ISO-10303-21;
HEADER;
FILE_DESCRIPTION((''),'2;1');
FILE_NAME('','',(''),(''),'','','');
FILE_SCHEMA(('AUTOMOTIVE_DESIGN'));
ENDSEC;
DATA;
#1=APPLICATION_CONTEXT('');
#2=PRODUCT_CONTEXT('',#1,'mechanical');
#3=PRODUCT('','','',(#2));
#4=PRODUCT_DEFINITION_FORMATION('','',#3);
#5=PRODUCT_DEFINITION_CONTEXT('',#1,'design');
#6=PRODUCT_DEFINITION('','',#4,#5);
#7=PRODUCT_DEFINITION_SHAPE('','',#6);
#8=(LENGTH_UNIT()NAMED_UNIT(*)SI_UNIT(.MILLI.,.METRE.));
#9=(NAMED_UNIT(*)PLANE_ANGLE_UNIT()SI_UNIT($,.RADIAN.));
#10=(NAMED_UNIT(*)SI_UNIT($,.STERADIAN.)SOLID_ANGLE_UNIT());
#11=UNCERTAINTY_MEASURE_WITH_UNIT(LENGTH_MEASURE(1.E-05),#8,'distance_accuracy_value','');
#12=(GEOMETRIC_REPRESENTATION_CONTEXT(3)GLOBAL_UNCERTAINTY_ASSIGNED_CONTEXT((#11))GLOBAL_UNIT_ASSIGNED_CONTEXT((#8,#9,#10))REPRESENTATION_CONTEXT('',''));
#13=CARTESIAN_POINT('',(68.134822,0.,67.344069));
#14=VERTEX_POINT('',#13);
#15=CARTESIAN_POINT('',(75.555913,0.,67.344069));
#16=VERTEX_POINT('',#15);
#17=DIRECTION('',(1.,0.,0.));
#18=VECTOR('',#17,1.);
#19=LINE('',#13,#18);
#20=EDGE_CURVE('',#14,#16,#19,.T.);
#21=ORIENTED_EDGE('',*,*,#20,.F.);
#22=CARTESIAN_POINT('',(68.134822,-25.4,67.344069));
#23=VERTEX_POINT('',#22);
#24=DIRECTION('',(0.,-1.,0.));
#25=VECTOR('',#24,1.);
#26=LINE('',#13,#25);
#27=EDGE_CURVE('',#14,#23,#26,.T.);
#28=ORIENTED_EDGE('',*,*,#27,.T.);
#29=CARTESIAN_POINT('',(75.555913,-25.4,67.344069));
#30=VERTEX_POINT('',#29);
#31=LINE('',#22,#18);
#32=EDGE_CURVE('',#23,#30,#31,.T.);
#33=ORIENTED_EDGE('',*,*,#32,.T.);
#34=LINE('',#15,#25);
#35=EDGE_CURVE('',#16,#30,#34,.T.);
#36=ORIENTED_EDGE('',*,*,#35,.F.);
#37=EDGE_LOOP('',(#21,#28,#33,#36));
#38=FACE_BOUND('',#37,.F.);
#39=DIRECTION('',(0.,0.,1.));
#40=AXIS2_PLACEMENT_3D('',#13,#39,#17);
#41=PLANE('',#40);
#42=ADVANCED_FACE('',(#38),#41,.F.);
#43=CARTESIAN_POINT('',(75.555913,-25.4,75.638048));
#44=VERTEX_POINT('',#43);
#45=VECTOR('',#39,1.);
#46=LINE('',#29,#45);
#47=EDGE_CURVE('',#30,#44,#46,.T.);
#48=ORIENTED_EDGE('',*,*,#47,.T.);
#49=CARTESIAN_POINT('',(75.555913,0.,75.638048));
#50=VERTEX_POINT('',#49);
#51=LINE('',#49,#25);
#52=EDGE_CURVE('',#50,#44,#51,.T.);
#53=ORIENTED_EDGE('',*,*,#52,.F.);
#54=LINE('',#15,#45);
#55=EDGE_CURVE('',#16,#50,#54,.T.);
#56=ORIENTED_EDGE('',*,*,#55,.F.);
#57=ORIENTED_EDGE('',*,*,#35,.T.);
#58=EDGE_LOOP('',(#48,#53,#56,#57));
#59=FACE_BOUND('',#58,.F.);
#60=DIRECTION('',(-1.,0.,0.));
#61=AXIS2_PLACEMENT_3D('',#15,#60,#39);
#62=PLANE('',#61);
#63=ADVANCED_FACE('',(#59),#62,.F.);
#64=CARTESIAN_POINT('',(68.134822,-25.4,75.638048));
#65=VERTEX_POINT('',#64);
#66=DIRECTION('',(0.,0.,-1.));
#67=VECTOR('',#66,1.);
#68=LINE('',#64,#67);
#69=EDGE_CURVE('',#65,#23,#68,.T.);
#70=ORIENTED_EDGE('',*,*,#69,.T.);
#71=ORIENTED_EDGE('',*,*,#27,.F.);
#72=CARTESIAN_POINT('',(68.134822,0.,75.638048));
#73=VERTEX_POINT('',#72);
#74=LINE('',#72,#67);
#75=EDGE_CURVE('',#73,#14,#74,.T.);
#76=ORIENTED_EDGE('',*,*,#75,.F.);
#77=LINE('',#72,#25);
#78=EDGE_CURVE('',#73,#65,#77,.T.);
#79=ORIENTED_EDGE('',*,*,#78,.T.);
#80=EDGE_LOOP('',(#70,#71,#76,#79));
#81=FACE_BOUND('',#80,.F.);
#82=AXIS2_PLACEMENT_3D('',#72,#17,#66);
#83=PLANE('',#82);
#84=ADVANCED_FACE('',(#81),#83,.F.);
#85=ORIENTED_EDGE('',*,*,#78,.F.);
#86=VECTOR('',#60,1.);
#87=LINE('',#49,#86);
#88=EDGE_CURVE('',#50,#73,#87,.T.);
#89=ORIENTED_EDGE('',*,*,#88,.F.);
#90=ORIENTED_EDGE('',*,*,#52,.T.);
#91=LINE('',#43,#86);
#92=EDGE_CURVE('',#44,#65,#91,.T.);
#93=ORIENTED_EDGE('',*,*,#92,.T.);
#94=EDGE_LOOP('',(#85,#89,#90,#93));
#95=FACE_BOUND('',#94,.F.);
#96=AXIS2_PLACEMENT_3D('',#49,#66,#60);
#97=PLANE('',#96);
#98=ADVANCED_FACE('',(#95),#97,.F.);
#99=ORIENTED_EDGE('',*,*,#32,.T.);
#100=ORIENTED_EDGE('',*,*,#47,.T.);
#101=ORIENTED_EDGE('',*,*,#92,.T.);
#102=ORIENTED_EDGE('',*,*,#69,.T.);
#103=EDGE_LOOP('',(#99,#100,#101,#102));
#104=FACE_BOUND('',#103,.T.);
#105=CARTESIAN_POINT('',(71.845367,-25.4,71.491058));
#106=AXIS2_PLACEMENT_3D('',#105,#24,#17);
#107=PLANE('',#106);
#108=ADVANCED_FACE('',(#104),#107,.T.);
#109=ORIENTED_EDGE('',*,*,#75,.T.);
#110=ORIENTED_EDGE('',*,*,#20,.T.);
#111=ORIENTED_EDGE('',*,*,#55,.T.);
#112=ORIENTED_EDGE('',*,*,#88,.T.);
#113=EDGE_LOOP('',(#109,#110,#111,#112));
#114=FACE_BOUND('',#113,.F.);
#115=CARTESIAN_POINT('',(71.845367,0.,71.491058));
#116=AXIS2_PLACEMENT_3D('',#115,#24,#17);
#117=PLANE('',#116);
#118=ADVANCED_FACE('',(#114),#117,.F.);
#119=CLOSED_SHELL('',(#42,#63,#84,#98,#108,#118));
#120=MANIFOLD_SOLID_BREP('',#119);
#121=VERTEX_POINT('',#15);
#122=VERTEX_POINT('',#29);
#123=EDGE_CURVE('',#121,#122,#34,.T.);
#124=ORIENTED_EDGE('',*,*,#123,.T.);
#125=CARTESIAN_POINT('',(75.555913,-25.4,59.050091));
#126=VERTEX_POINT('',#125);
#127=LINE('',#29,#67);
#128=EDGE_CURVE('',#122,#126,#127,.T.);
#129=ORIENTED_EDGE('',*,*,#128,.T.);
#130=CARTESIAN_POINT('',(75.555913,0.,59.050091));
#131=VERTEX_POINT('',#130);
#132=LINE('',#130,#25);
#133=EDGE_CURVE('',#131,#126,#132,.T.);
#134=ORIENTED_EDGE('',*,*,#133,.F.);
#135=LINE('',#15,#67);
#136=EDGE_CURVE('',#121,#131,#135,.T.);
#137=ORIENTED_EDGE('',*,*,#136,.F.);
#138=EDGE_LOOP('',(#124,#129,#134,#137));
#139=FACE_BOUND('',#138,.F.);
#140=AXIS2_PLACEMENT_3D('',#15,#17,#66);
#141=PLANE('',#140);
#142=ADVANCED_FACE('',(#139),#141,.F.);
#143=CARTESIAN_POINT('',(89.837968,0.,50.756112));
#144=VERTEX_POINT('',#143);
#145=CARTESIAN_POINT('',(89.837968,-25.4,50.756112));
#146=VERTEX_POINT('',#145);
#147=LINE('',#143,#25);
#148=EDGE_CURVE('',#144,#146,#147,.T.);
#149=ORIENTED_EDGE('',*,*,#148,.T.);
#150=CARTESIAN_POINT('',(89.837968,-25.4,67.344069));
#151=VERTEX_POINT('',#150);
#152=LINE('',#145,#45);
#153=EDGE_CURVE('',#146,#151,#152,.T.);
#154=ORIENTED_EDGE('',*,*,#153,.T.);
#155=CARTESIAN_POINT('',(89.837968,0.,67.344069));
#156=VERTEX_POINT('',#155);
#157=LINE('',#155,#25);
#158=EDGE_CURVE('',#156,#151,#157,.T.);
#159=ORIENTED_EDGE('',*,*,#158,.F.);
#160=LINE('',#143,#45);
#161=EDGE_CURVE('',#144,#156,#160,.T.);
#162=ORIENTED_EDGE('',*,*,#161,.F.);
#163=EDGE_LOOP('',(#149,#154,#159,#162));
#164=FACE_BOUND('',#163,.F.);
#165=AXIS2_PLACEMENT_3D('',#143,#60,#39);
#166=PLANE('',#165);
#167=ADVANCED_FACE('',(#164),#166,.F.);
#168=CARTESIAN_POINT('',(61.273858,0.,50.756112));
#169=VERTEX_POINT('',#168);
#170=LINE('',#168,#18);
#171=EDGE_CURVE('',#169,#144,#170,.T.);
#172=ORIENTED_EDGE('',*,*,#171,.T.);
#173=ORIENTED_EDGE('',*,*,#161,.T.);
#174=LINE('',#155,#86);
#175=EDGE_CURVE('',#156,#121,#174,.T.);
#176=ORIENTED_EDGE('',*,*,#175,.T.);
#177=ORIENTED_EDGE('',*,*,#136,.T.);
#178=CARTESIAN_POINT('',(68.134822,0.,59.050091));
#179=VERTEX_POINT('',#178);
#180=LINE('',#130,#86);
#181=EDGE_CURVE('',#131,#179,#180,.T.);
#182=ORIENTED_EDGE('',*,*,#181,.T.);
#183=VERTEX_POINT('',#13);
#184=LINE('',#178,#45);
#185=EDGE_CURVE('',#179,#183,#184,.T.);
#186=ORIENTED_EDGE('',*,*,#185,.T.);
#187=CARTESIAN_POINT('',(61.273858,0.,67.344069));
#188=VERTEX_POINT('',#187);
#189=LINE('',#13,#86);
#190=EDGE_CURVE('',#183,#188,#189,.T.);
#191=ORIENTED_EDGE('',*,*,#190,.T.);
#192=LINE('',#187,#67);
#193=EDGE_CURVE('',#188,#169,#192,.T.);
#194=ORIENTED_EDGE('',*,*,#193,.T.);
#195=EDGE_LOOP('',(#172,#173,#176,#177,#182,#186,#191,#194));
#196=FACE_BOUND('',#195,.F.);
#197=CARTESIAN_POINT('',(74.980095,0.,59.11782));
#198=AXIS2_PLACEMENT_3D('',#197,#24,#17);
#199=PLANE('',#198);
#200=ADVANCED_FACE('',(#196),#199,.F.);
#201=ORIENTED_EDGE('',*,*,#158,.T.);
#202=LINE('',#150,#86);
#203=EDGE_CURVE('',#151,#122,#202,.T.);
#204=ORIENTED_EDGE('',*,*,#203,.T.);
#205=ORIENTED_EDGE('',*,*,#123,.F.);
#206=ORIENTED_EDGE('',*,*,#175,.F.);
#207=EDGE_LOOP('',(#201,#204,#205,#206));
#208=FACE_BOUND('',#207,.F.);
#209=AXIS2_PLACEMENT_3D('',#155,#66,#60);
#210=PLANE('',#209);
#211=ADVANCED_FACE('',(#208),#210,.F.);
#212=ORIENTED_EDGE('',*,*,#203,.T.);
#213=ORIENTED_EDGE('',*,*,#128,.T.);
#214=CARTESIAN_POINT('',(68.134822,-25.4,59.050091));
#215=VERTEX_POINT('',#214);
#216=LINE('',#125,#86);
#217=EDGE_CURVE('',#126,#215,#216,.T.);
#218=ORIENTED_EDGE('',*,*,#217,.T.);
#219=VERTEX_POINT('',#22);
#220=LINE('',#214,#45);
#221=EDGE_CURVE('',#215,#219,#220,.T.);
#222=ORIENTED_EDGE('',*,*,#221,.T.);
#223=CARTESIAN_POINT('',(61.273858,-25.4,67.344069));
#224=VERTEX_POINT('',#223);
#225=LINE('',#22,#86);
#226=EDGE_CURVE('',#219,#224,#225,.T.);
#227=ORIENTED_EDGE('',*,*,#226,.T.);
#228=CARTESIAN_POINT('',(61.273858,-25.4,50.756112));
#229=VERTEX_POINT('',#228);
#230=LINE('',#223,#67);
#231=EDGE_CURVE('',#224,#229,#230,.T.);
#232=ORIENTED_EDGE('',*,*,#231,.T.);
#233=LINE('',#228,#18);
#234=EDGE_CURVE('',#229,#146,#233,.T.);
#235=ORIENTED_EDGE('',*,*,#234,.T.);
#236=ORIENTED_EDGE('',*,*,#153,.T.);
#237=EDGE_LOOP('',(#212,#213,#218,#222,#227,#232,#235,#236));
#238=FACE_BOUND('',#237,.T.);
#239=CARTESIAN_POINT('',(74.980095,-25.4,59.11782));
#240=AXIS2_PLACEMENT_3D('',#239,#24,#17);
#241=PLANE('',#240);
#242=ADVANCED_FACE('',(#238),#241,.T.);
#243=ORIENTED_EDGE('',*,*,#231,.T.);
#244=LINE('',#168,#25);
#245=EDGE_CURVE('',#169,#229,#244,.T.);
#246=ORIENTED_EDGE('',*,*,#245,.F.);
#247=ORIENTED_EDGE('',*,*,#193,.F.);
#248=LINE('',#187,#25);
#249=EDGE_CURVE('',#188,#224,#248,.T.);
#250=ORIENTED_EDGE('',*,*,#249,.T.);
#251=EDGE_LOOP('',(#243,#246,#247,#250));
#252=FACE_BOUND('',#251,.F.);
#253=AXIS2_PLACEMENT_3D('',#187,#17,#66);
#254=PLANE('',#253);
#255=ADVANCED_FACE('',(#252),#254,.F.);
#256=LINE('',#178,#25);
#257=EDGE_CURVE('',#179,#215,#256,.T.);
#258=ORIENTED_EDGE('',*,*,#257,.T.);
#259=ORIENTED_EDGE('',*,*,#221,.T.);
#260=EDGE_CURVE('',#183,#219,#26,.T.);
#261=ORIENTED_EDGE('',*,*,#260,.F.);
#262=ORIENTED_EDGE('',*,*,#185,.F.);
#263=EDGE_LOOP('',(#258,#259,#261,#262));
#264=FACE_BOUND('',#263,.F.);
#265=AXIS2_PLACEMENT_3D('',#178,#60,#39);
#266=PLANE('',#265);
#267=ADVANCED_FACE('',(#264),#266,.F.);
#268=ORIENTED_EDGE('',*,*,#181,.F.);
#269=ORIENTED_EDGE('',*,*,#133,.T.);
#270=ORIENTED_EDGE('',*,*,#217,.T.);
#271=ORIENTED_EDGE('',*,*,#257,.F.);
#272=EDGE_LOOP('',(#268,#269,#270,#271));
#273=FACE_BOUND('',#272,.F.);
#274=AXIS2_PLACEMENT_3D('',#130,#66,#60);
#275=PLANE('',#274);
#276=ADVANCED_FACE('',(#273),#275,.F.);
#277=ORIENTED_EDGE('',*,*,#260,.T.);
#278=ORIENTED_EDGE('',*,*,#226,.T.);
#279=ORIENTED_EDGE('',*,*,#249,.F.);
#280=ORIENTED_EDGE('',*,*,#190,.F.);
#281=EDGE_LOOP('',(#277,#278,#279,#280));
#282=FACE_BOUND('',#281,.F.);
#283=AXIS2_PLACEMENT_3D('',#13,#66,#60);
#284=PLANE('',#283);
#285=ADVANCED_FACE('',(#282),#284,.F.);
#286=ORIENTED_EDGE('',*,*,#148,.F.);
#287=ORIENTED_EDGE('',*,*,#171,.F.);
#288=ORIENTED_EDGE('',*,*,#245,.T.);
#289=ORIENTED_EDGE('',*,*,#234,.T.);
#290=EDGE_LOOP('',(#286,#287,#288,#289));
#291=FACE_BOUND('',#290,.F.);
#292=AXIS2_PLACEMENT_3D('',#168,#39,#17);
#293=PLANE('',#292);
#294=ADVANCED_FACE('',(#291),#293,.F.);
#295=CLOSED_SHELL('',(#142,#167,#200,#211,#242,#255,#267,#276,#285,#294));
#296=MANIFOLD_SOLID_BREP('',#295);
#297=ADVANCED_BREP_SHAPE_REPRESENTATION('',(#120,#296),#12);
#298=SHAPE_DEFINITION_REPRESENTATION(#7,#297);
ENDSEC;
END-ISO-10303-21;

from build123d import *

# Parameters (mm, degrees)
F1_DEPTH = 25.4


with BuildPart() as f1:
    # F0 (on Front) → F1 (new body)
    with BuildSketch(Plane.XZ):
        Polygon((89.837968, 50.756112), (89.837968, 67.344069), (86.696103, 67.344069), (75.555913, 67.344069), (75.555913, 59.050091), (68.134822, 59.050091), (68.134822, 67.344069), (61.273858, 67.344069), (61.273858, 50.756112), align=None)
        Polygon((71.845368, 67.344069), (75.555913, 67.344069), (75.555913, 75.638048), (68.134822, 75.638048), (68.134822, 67.344069), align=None)
    extrude(amount=F1_DEPTH)


solid = f1.part
